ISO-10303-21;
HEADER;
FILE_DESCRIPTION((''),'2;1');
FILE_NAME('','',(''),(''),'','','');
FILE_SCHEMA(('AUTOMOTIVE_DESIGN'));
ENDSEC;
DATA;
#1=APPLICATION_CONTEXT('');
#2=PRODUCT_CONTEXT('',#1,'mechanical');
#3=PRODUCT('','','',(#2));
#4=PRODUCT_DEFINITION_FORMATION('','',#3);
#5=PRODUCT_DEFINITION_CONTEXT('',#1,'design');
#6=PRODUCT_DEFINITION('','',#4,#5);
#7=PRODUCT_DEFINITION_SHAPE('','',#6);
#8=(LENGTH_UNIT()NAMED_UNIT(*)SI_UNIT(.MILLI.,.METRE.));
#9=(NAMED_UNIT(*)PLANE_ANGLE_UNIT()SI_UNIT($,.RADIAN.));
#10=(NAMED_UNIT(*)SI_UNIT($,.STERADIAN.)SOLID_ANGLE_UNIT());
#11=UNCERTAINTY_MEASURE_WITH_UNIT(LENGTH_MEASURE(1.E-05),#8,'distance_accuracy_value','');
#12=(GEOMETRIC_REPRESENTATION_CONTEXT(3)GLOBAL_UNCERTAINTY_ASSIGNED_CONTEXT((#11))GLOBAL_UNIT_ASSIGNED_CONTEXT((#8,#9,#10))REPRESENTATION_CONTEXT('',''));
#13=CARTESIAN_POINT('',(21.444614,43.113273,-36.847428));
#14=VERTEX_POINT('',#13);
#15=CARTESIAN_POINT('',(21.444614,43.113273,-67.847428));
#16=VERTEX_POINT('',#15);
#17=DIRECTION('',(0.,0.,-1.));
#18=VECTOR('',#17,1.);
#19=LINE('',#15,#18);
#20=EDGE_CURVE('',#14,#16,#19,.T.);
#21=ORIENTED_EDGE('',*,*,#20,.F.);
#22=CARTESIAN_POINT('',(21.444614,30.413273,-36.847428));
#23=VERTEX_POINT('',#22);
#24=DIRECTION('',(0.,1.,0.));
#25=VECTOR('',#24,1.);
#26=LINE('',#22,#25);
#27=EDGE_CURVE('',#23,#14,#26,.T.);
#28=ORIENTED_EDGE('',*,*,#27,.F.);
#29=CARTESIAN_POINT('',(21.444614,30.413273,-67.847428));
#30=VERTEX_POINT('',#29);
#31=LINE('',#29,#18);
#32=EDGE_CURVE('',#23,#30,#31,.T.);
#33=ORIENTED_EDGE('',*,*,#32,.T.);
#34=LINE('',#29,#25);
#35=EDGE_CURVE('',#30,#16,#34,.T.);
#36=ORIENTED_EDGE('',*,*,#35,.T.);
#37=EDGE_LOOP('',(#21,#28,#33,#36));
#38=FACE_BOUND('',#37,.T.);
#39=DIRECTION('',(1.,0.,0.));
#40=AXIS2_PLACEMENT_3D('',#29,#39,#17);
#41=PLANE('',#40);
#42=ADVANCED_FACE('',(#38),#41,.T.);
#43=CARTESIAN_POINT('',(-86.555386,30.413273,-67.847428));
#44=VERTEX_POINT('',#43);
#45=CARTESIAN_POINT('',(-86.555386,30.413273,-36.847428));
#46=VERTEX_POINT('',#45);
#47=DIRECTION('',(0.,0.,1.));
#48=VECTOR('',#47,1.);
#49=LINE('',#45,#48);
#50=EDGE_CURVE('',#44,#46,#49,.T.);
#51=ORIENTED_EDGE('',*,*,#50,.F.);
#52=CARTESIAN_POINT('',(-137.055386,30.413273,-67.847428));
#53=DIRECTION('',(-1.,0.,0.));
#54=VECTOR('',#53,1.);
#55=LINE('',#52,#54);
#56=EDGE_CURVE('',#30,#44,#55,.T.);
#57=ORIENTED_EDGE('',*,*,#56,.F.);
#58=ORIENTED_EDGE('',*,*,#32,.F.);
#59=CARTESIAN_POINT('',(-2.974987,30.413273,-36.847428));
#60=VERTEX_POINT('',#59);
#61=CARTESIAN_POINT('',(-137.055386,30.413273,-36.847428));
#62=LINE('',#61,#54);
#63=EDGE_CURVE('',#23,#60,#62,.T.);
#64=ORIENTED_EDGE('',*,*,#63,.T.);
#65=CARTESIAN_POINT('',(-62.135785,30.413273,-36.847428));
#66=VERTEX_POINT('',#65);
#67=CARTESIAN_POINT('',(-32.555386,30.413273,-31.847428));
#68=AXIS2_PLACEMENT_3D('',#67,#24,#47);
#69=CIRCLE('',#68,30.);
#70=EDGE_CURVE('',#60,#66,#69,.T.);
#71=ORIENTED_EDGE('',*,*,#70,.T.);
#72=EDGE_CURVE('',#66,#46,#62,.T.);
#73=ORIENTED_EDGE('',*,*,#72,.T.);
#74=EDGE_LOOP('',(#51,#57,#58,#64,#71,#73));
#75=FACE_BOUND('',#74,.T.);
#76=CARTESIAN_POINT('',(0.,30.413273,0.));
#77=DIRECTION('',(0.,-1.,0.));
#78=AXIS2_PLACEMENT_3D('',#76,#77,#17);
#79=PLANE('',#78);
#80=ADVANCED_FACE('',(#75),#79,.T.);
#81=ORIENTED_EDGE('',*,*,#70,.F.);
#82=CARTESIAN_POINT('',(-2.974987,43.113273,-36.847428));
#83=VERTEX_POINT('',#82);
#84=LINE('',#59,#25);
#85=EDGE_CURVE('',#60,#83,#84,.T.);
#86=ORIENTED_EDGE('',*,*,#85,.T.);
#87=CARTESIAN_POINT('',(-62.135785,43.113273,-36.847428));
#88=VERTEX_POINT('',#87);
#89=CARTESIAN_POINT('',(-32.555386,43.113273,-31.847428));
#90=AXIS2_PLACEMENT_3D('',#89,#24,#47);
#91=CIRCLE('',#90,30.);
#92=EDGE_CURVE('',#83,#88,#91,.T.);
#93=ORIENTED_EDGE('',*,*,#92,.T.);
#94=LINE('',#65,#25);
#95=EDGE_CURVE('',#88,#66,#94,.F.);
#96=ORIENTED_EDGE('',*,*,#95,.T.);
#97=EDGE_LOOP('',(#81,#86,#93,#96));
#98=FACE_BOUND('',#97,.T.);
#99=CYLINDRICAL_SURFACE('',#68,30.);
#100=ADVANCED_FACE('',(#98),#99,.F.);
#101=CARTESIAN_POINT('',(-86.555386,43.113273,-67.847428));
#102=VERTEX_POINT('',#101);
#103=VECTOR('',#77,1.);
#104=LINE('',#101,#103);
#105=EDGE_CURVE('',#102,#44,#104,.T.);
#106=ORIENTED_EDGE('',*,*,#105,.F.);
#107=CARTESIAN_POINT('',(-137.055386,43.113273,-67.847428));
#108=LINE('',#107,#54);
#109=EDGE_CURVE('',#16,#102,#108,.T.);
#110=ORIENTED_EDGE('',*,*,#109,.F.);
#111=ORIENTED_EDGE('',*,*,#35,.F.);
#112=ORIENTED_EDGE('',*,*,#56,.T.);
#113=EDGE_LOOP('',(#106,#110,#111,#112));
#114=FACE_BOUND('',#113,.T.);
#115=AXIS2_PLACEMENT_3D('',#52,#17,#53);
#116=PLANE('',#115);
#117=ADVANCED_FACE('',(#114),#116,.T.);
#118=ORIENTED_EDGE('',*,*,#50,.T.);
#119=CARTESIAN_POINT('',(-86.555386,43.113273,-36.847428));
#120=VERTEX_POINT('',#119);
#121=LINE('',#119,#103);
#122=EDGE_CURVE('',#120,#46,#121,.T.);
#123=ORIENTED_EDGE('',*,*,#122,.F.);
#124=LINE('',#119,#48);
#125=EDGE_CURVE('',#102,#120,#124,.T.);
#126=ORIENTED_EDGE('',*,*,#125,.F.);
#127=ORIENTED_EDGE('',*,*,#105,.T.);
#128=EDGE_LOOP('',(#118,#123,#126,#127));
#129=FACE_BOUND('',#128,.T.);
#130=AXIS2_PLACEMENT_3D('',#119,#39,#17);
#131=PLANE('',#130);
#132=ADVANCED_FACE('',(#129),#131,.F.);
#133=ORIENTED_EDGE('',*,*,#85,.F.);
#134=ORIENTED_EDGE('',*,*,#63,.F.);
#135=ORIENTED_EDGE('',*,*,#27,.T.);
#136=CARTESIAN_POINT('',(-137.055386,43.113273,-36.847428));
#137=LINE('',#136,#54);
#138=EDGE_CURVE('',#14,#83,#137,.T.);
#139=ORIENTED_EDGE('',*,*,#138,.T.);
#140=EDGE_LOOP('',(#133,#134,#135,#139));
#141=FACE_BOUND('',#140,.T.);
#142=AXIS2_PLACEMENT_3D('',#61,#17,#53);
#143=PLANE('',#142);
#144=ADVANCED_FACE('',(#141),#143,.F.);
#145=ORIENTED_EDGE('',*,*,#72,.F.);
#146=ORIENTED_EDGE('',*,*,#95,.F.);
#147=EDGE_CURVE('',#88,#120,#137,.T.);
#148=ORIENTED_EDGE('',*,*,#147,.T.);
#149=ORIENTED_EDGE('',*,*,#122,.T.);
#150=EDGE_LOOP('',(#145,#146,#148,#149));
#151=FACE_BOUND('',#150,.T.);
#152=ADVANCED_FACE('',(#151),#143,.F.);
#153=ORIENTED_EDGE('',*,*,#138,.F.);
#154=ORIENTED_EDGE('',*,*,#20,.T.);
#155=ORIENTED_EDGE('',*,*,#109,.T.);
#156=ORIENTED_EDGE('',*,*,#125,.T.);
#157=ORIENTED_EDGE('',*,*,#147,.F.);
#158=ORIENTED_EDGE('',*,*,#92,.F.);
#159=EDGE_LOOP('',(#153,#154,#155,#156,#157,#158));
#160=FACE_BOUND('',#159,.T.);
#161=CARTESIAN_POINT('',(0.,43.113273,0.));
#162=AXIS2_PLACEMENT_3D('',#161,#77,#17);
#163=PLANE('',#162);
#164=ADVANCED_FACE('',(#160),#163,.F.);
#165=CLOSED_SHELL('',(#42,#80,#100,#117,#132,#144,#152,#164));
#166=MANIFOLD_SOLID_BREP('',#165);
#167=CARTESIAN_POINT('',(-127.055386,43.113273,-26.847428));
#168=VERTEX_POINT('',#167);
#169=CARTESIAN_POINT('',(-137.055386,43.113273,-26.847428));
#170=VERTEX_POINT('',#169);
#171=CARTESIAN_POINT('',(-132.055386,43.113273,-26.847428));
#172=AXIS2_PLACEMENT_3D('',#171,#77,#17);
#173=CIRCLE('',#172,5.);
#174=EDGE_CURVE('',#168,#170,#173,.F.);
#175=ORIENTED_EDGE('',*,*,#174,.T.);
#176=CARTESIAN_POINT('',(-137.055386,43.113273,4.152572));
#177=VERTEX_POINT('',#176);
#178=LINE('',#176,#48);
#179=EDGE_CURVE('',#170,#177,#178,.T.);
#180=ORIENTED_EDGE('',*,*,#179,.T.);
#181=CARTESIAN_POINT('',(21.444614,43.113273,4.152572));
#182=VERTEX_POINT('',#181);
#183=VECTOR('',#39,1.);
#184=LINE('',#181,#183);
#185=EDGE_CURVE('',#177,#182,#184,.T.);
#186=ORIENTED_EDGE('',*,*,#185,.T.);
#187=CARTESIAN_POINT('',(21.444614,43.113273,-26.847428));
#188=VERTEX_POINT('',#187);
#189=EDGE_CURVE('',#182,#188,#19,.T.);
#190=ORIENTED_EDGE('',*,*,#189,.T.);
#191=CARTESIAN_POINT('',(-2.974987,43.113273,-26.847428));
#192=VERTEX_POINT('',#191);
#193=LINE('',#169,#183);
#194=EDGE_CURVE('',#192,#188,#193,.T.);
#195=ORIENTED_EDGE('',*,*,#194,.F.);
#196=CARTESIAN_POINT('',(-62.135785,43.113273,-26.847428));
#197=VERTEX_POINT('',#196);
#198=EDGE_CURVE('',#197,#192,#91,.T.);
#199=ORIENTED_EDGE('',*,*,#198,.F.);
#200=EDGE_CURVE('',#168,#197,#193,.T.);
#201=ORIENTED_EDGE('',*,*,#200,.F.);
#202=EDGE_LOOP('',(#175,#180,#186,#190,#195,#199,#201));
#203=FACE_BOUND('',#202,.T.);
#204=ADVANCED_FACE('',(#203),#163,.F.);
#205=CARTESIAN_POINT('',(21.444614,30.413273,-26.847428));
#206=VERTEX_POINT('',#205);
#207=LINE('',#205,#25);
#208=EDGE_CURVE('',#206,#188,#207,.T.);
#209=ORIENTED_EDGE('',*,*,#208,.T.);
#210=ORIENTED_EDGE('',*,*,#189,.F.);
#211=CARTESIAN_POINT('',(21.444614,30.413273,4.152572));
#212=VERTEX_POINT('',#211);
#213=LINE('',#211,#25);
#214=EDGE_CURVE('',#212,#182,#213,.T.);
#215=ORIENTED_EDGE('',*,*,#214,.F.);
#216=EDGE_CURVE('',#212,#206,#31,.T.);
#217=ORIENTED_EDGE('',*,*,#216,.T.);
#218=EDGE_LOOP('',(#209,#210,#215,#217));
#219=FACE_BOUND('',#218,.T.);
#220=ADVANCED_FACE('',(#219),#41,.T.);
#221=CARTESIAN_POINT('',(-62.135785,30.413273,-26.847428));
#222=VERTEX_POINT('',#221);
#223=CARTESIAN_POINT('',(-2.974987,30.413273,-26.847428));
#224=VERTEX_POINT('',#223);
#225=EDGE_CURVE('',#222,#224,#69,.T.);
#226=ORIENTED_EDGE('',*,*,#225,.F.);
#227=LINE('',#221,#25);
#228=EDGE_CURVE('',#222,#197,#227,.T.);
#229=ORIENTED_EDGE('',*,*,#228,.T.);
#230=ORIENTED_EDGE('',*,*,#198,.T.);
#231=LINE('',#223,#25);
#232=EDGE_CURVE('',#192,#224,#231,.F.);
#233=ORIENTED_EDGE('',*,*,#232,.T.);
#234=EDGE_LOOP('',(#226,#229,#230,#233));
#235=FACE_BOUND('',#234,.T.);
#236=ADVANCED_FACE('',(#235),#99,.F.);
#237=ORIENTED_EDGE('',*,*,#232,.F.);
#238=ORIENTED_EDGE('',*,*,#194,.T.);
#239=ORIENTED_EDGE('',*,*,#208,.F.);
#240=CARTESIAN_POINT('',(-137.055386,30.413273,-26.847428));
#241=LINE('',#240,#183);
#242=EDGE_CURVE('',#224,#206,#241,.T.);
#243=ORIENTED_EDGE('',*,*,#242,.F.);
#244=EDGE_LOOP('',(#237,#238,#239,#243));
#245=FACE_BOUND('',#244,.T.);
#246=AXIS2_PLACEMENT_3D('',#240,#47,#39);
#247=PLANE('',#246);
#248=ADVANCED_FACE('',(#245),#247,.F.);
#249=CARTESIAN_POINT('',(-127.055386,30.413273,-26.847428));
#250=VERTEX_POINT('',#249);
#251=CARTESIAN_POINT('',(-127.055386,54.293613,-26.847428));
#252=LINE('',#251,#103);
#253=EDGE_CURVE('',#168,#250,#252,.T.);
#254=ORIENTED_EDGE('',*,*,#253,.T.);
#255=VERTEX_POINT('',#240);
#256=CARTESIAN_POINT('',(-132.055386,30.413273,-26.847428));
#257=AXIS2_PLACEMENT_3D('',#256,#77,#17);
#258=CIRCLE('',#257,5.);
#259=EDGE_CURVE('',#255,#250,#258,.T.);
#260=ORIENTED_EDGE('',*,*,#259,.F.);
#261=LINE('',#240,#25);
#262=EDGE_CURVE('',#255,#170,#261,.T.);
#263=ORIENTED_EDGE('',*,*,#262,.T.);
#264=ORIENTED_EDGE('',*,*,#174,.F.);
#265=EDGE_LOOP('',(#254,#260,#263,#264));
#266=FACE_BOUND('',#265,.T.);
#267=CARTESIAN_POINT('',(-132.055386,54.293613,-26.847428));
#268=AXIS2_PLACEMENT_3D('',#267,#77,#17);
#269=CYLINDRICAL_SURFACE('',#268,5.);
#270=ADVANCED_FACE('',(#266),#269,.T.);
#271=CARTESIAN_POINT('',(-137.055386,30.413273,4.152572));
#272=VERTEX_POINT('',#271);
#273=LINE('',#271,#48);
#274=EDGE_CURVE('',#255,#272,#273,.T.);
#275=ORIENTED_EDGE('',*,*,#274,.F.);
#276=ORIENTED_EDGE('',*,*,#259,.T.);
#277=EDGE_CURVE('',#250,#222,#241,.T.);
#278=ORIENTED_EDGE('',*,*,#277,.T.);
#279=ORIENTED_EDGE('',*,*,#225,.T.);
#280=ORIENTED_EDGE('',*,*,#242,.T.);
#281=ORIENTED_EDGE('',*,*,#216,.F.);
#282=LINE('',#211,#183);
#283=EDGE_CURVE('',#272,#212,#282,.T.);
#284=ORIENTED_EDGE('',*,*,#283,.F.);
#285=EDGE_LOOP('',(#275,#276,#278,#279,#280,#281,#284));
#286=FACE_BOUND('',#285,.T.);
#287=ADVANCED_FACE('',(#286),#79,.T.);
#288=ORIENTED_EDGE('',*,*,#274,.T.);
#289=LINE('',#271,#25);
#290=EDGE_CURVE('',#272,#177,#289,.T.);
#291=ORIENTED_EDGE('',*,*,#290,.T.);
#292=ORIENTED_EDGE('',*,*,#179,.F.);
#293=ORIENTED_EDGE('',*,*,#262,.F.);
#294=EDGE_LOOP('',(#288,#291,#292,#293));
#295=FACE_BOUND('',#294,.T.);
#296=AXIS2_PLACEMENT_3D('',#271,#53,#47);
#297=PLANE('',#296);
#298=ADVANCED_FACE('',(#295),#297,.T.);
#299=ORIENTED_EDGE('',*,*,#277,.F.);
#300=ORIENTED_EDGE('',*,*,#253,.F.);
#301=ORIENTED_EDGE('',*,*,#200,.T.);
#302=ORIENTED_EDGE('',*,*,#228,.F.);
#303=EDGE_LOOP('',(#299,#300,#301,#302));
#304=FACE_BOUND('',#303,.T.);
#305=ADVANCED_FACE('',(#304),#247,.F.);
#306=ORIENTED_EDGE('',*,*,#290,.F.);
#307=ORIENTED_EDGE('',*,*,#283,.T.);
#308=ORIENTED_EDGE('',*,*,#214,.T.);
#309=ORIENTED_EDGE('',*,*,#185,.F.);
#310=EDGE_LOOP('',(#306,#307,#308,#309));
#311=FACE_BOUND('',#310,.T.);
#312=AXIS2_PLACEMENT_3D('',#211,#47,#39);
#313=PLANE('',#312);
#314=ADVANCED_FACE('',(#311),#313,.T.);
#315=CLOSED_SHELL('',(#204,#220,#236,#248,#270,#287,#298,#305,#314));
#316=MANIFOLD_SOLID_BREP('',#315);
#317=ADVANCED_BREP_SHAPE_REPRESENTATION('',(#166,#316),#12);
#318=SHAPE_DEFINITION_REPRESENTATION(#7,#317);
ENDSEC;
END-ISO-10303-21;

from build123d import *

# Parameters (mm, degrees)
SKETCH1_W           = 158.5
SKETCH1_H           = 72
BOSS_EXTRUDE1_DEPTH = 12.7
SKETCH2_R           = 30
CUT_EXTRUDE1_DEPTH  = 13.7
SKETCH3_W           = 158.5
SKETCH3_H           = 10
CUT_EXTRUDE3_DEPTH  = 13.7
SKETCH4_W           = 50.5
SKETCH4_H           = 31
CUT_EXTRUDE4_DEPTH  = 13.7
BOSS_EXTRUDE2_DEPTH = 12.7


with BuildPart() as part:
    # Sketch1 → Boss-Extrude1 (new body)
    with BuildSketch(Plane(origin=(0, 43.113273326, 0), x_dir=(1, 0, 0), z_dir=(0, 1, 0))):
        with Locations((-57.805385746, 31.84742784)):
            Rectangle(SKETCH1_W, SKETCH1_H)
    extrude(amount=-BOSS_EXTRUDE1_DEPTH)

    # Sketch2 → Cut-Extrude1 (cut, through all)
    with BuildSketch(Plane(origin=(0, 43.113273326, 0), x_dir=(1, 0, 0), z_dir=(0, 1, 0))):
        with Locations((-32.555385746, 31.84742784)):
            Circle(SKETCH2_R)
    extrude(amount=-CUT_EXTRUDE1_DEPTH, mode=Mode.SUBTRACT)

    # Sketch3 → Cut-Extrude3 (cut, through all)
    with BuildSketch(Plane(origin=(0, 43.113273326, 0), x_dir=(1, 0, 0), z_dir=(0, 1, 0))):
        with Locations((-57.805385746, 31.84742784)):
            Rectangle(SKETCH3_W, SKETCH3_H)
    extrude(amount=-CUT_EXTRUDE3_DEPTH, mode=Mode.SUBTRACT)

    # Sketch4 → Cut-Extrude4 (cut, through all)
    with BuildSketch(Plane.XZ.offset(-30.413273326)):
        with Locations((-111.805385746, -52.34742784)):
            Rectangle(SKETCH4_W, SKETCH4_H)
    extrude(amount=-CUT_EXTRUDE4_DEPTH, mode=Mode.SUBTRACT)

    # Sketch5 → Boss-Extrude2 (add)
    with BuildSketch(Plane.XZ.offset(-30.413273326)):
        with BuildLine():
            Line((-137.055385746, -26.84742784), (-127.055385746, -26.84742784))
            ThreePointArc((-127.055385746, -26.84742784), (-132.055385746, -31.84742784), (-137.055385746, -26.84742784))
        make_face()
    extrude(amount=-BOSS_EXTRUDE2_DEPTH)


solid = part.part
